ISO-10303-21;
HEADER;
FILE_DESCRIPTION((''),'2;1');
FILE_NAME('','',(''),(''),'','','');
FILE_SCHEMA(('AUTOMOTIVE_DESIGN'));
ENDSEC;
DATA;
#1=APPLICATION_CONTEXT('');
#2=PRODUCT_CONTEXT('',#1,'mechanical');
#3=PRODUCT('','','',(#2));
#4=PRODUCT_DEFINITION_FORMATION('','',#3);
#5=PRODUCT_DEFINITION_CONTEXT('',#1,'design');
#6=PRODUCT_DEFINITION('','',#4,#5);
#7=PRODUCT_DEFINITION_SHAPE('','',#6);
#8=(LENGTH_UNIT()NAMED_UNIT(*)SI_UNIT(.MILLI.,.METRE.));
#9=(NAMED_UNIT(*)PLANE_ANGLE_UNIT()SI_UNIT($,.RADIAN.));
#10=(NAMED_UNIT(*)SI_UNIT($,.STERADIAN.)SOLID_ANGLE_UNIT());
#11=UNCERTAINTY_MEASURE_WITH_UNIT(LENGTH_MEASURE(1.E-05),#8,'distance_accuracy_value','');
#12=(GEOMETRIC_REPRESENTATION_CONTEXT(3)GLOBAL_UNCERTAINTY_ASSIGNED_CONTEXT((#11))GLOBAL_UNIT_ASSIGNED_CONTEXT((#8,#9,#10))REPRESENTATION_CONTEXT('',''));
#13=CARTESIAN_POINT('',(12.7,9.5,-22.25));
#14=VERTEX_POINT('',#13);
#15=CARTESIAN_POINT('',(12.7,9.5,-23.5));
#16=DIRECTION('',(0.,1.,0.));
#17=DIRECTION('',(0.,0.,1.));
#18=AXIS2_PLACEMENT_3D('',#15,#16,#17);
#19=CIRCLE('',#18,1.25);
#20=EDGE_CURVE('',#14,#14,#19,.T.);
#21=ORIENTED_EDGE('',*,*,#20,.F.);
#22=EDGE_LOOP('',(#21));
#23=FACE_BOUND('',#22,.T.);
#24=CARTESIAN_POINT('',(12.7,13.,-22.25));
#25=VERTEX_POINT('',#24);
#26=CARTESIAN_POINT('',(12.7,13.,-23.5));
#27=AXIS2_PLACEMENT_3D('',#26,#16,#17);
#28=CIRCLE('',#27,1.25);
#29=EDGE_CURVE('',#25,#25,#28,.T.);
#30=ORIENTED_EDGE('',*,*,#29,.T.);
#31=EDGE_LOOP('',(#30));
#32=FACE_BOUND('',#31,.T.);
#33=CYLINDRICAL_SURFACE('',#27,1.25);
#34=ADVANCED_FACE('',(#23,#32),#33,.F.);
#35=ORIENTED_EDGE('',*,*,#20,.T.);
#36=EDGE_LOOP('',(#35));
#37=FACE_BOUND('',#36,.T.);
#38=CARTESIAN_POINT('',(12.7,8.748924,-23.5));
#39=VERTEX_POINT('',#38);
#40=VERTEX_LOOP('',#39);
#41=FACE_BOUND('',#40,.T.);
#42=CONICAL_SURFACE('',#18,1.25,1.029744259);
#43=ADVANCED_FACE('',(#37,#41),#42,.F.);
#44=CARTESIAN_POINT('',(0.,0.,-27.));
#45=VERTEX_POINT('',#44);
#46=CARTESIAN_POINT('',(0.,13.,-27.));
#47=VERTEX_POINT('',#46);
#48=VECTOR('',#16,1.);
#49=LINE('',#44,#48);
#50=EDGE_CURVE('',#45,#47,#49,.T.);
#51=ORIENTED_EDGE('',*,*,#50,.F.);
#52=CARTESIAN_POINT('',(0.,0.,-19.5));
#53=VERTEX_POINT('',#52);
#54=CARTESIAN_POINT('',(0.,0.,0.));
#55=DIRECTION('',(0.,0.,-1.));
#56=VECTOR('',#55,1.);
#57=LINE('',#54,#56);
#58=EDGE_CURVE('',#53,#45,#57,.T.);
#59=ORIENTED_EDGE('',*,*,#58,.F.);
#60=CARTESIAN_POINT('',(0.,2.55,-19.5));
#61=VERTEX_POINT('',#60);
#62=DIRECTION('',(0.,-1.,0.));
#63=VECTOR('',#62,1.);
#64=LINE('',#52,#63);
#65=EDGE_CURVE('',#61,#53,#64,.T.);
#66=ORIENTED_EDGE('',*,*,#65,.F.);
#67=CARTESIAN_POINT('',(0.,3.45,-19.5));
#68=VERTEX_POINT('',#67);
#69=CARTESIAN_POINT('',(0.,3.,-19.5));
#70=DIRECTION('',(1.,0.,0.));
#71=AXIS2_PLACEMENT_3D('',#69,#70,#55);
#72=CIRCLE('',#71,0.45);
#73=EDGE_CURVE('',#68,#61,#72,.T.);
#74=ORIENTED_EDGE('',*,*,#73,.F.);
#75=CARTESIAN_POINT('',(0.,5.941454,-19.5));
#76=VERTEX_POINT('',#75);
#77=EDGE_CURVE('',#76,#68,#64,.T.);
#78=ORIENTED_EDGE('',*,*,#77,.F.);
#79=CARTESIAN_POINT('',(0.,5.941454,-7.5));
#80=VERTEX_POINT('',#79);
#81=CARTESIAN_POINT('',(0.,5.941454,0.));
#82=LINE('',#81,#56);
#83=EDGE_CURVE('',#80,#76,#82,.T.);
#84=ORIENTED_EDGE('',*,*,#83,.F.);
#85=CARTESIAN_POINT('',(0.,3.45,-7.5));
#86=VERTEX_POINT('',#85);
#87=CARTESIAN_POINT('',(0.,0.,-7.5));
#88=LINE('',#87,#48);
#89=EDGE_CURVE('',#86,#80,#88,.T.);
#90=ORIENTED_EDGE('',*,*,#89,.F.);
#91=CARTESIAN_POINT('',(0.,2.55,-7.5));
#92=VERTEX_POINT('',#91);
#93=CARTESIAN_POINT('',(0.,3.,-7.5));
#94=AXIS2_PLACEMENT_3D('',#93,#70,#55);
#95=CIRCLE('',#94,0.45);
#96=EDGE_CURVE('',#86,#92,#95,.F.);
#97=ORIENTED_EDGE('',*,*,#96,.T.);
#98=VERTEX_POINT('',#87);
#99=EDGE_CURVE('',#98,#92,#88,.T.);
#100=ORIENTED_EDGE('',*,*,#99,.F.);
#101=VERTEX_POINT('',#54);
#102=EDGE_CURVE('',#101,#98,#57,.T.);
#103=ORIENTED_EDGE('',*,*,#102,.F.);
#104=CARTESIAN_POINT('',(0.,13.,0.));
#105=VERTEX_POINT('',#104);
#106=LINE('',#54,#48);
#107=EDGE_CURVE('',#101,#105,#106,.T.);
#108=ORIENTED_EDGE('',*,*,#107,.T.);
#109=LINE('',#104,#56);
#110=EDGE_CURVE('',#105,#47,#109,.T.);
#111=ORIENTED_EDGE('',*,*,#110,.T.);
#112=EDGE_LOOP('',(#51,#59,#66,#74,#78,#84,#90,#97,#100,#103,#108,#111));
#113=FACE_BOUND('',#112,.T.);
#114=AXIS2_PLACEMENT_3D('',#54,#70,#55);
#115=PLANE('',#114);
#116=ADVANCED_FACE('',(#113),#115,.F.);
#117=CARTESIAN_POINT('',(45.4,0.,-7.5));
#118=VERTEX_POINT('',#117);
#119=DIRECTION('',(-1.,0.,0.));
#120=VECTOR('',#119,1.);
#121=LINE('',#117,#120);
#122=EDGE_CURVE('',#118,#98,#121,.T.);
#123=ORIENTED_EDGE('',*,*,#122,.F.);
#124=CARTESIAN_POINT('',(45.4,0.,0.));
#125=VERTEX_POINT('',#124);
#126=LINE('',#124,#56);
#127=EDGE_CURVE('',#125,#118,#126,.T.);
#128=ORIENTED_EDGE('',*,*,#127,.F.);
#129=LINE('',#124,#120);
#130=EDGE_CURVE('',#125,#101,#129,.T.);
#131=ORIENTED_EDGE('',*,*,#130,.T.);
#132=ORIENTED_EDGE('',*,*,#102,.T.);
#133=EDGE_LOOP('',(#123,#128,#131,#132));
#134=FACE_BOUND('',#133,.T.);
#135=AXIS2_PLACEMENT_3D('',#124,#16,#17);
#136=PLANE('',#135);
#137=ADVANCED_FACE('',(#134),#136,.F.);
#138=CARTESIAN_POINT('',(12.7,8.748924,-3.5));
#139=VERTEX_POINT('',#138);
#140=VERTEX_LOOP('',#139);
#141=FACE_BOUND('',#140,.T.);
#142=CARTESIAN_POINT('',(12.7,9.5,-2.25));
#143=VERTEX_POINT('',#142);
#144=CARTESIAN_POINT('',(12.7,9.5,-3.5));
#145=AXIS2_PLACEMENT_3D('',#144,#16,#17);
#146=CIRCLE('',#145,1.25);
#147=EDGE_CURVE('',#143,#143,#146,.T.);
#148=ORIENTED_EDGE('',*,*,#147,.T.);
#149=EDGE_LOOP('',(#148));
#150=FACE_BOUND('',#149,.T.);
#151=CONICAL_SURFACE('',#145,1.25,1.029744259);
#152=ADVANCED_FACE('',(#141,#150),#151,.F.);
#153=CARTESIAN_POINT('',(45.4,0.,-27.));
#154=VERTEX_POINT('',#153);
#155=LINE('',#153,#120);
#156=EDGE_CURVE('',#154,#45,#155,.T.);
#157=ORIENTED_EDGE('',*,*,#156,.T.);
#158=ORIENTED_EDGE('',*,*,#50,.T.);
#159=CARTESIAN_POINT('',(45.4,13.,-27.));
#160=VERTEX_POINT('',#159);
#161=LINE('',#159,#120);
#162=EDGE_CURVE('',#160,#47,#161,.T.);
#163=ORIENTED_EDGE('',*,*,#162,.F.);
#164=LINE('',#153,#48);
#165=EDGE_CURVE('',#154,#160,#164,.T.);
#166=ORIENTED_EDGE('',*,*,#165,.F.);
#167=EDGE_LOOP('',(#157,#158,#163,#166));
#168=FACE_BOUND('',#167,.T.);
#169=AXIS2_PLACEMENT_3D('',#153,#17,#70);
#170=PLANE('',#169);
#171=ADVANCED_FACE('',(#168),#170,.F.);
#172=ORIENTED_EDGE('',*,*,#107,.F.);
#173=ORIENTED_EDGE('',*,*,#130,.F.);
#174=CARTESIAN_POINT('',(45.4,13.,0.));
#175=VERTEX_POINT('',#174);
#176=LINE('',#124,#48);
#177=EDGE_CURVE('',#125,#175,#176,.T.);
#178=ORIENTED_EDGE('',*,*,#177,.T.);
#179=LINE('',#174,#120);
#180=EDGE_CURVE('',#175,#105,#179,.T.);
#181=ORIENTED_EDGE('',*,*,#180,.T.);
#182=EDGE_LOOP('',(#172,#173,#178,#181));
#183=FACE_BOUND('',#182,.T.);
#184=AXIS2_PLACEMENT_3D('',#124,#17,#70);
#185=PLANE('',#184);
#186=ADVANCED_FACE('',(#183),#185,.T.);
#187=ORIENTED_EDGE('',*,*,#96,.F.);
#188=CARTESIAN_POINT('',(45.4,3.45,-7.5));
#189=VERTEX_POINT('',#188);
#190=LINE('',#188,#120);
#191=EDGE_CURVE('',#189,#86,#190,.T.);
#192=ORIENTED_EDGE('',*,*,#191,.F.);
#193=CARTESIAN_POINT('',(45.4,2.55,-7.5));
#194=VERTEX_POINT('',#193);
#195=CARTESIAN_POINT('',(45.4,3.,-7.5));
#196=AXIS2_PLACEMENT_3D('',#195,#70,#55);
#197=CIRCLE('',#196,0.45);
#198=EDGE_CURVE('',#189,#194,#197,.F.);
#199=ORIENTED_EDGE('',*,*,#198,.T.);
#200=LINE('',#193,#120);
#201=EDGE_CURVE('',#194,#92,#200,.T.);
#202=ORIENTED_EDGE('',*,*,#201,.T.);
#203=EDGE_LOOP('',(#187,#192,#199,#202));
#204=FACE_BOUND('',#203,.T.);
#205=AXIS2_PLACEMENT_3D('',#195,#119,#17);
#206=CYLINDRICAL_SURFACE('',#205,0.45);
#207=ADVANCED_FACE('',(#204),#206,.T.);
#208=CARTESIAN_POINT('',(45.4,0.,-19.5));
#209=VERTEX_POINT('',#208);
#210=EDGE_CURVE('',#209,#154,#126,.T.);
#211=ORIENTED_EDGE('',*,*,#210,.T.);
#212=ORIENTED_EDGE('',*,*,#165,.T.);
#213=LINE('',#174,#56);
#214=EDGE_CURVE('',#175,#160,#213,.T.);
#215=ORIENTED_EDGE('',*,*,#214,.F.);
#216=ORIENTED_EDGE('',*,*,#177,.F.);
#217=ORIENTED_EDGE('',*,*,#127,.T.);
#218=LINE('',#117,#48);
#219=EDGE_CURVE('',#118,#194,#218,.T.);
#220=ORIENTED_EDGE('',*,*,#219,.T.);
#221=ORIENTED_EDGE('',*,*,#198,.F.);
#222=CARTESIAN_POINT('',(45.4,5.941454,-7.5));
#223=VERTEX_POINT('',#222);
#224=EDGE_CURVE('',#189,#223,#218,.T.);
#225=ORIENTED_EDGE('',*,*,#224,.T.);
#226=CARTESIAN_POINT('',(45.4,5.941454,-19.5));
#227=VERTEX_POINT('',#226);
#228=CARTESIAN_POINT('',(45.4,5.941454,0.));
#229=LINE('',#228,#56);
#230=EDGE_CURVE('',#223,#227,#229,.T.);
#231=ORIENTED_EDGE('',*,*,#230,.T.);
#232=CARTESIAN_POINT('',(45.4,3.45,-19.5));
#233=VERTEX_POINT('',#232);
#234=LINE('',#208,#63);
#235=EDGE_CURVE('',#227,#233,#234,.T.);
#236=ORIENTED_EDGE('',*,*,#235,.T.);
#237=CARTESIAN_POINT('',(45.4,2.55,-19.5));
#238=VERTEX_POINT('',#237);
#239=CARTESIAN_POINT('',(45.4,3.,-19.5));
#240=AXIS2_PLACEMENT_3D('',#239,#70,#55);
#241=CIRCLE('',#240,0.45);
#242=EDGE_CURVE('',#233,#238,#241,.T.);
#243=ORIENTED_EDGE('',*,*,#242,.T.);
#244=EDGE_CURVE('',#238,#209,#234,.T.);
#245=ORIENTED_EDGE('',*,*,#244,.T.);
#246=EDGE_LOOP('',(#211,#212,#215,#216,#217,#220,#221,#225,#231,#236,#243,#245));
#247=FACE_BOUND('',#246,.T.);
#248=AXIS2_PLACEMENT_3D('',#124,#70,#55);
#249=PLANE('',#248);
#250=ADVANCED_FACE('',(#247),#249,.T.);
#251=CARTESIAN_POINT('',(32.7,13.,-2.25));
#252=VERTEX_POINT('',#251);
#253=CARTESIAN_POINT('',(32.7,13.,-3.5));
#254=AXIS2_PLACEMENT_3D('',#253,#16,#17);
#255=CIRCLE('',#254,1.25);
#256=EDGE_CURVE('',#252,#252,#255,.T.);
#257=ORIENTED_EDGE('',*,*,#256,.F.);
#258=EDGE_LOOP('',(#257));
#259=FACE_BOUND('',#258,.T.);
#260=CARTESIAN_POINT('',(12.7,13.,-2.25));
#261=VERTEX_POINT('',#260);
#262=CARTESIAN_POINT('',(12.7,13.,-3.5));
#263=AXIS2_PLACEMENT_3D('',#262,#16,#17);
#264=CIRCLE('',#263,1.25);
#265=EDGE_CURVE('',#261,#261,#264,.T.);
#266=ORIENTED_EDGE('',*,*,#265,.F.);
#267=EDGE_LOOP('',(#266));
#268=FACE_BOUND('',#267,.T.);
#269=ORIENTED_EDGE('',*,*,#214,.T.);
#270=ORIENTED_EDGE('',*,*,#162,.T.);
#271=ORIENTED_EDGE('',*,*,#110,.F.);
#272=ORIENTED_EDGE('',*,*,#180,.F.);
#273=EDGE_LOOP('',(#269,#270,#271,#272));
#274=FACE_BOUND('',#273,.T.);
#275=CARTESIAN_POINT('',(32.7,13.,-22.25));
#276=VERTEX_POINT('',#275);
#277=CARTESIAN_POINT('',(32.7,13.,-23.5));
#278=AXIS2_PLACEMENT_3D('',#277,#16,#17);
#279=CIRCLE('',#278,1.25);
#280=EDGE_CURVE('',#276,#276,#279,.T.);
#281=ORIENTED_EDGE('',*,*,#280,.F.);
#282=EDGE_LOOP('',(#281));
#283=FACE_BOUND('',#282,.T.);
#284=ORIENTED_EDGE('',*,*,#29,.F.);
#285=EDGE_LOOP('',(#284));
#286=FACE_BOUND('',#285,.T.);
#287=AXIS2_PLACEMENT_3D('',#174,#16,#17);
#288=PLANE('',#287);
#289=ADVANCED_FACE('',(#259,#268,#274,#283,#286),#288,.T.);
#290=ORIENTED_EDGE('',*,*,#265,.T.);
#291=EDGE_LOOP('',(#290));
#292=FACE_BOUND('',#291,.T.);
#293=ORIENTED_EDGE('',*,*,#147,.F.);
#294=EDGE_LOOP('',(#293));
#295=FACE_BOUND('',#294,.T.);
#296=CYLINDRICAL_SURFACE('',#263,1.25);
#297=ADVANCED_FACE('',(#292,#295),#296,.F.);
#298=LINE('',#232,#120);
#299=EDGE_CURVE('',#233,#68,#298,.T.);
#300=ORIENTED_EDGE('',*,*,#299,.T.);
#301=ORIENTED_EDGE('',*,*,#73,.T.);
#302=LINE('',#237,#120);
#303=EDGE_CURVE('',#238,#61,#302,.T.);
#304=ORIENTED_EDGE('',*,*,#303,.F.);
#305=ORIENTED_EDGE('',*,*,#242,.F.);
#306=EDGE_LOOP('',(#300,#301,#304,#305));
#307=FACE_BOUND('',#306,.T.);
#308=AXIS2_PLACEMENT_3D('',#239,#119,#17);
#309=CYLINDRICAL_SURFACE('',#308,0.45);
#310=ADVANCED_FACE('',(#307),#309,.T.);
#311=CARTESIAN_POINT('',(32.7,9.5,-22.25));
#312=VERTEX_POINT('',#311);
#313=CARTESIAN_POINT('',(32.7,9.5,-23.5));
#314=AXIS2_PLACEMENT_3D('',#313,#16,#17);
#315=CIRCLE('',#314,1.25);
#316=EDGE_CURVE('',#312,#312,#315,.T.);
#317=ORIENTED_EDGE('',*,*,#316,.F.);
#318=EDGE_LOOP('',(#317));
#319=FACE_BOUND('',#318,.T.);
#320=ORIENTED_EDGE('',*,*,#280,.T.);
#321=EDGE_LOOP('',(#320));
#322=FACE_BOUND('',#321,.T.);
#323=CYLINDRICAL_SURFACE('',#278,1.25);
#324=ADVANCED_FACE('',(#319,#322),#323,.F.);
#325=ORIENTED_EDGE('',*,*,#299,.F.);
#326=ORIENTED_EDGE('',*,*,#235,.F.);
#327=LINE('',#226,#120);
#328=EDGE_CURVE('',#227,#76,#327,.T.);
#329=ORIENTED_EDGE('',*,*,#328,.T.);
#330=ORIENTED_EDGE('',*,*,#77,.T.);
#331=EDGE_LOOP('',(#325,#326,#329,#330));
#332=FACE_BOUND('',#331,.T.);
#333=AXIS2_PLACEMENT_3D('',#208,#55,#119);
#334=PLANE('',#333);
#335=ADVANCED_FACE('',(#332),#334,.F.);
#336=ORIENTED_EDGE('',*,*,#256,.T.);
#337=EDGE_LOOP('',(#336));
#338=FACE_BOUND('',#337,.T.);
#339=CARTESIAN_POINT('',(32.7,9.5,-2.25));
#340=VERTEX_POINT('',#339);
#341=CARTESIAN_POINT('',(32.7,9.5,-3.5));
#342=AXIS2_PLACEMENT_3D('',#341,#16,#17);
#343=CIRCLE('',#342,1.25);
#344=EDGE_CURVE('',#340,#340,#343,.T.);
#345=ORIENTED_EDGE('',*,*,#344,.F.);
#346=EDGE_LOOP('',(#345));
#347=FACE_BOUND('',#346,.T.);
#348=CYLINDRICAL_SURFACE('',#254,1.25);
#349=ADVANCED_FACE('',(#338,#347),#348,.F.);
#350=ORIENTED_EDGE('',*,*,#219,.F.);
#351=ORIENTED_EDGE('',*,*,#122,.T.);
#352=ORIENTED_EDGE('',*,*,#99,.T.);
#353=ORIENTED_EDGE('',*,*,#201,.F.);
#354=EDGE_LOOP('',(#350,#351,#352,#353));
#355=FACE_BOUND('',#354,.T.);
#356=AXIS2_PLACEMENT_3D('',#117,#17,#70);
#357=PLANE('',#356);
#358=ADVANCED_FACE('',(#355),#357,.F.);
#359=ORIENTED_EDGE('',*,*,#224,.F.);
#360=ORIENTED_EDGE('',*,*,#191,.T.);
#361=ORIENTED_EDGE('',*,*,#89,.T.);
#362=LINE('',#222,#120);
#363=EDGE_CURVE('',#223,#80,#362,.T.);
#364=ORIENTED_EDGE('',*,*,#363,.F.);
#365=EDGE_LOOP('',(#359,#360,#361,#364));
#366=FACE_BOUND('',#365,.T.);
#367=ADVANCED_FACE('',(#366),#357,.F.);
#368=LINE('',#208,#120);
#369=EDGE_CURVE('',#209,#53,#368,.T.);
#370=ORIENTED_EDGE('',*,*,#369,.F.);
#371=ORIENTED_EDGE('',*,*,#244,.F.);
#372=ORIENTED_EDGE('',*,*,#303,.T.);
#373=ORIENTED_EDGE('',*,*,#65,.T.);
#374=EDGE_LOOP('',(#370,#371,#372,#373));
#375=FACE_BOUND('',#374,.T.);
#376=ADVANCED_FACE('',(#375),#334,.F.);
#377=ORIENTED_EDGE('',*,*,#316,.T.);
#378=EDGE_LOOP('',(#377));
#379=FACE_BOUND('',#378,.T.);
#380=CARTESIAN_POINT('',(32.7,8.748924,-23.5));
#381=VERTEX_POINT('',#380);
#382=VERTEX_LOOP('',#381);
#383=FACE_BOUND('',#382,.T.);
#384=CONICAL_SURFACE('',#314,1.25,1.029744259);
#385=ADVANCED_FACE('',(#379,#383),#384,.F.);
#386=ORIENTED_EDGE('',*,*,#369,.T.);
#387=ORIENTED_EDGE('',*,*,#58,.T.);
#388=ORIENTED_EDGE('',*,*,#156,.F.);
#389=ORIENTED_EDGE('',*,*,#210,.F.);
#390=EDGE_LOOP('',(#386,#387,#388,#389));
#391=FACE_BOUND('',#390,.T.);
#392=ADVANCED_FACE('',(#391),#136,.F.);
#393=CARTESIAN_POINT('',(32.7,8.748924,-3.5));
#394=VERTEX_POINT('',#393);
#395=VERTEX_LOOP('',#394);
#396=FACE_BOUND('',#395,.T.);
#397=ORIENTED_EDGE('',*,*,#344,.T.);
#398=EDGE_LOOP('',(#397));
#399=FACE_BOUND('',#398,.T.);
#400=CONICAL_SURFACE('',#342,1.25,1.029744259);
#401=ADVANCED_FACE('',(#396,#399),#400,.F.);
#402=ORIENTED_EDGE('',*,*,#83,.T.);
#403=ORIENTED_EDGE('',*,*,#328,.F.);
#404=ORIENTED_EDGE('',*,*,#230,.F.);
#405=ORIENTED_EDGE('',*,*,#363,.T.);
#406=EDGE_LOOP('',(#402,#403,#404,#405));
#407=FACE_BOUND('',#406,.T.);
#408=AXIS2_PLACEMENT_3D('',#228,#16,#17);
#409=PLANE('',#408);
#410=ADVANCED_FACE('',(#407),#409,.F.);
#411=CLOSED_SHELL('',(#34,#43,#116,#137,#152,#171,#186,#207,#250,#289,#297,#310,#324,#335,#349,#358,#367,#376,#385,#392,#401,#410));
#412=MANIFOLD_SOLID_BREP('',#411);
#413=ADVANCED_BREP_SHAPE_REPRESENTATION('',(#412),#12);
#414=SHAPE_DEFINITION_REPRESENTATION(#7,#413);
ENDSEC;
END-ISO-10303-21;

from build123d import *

# Parameters (mm, degrees)
BOSS_EXTRUDE1_DEPTH  = 45.4
LPATTERN1_COUNT      = 2
LPATTERN1_PITCH      = 20
LPATTERN1_COUNT_DIR2 = 2
LPATTERN1_PITCH_DIR2 = 20


with BuildPart() as part:
    # Sketch1 → Boss-Extrude1 (new body)
    with BuildSketch(Plane(origin=(0, 0, 0), x_dir=(0, 0, -1), z_dir=(1, 0, 0))):
        Polygon((19.5, 5.941454138), (19.5, 0), (27, 0), (27, 13), (0, 13), (0, 0), (7.5, 0), (7.5, 5.941454138), align=None)
        with BuildLine():
            Line((7.5, 3.45), (7.5, 2.55))
            ThreePointArc((7.5, 2.55), (7.95, 3), (7.5, 3.45))
        make_face()
        with BuildLine():
            ThreePointArc((19.5, 3.45), (19.05, 3), (19.5, 2.55))
            Line((19.5, 2.55), (19.5, 3.45))
        make_face()
    extrude(amount=BOSS_EXTRUDE1_DEPTH)

    # Sketch3 → M3x0.5 Tapped Hole1 (revolve, cut)
    with BuildSketch(Plane(origin=(12.7, 13, -23.5), x_dir=(0, 0, 1), z_dir=(1, 0, 0))):
        Polygon((0, 0), (0, 4.251075774), (1.25, 3.5), (1.25, 0), align=None)
    m3x0_5_tapped_hole1 = revolve(axis=Axis((12.7, 19.35, -23.5), (0, -1, 0)), mode=Mode.SUBTRACT)

    # LPattern1: M3x0.5 Tapped Hole1 2 × 2
    with Locations(*[(i * LPATTERN1_PITCH, 0, j * LPATTERN1_PITCH_DIR2) for i in range(LPATTERN1_COUNT) for j in range(LPATTERN1_COUNT_DIR2) if (i, j) != (0, 0)]):
        add(m3x0_5_tapped_hole1, mode=Mode.SUBTRACT)


solid = part.part
